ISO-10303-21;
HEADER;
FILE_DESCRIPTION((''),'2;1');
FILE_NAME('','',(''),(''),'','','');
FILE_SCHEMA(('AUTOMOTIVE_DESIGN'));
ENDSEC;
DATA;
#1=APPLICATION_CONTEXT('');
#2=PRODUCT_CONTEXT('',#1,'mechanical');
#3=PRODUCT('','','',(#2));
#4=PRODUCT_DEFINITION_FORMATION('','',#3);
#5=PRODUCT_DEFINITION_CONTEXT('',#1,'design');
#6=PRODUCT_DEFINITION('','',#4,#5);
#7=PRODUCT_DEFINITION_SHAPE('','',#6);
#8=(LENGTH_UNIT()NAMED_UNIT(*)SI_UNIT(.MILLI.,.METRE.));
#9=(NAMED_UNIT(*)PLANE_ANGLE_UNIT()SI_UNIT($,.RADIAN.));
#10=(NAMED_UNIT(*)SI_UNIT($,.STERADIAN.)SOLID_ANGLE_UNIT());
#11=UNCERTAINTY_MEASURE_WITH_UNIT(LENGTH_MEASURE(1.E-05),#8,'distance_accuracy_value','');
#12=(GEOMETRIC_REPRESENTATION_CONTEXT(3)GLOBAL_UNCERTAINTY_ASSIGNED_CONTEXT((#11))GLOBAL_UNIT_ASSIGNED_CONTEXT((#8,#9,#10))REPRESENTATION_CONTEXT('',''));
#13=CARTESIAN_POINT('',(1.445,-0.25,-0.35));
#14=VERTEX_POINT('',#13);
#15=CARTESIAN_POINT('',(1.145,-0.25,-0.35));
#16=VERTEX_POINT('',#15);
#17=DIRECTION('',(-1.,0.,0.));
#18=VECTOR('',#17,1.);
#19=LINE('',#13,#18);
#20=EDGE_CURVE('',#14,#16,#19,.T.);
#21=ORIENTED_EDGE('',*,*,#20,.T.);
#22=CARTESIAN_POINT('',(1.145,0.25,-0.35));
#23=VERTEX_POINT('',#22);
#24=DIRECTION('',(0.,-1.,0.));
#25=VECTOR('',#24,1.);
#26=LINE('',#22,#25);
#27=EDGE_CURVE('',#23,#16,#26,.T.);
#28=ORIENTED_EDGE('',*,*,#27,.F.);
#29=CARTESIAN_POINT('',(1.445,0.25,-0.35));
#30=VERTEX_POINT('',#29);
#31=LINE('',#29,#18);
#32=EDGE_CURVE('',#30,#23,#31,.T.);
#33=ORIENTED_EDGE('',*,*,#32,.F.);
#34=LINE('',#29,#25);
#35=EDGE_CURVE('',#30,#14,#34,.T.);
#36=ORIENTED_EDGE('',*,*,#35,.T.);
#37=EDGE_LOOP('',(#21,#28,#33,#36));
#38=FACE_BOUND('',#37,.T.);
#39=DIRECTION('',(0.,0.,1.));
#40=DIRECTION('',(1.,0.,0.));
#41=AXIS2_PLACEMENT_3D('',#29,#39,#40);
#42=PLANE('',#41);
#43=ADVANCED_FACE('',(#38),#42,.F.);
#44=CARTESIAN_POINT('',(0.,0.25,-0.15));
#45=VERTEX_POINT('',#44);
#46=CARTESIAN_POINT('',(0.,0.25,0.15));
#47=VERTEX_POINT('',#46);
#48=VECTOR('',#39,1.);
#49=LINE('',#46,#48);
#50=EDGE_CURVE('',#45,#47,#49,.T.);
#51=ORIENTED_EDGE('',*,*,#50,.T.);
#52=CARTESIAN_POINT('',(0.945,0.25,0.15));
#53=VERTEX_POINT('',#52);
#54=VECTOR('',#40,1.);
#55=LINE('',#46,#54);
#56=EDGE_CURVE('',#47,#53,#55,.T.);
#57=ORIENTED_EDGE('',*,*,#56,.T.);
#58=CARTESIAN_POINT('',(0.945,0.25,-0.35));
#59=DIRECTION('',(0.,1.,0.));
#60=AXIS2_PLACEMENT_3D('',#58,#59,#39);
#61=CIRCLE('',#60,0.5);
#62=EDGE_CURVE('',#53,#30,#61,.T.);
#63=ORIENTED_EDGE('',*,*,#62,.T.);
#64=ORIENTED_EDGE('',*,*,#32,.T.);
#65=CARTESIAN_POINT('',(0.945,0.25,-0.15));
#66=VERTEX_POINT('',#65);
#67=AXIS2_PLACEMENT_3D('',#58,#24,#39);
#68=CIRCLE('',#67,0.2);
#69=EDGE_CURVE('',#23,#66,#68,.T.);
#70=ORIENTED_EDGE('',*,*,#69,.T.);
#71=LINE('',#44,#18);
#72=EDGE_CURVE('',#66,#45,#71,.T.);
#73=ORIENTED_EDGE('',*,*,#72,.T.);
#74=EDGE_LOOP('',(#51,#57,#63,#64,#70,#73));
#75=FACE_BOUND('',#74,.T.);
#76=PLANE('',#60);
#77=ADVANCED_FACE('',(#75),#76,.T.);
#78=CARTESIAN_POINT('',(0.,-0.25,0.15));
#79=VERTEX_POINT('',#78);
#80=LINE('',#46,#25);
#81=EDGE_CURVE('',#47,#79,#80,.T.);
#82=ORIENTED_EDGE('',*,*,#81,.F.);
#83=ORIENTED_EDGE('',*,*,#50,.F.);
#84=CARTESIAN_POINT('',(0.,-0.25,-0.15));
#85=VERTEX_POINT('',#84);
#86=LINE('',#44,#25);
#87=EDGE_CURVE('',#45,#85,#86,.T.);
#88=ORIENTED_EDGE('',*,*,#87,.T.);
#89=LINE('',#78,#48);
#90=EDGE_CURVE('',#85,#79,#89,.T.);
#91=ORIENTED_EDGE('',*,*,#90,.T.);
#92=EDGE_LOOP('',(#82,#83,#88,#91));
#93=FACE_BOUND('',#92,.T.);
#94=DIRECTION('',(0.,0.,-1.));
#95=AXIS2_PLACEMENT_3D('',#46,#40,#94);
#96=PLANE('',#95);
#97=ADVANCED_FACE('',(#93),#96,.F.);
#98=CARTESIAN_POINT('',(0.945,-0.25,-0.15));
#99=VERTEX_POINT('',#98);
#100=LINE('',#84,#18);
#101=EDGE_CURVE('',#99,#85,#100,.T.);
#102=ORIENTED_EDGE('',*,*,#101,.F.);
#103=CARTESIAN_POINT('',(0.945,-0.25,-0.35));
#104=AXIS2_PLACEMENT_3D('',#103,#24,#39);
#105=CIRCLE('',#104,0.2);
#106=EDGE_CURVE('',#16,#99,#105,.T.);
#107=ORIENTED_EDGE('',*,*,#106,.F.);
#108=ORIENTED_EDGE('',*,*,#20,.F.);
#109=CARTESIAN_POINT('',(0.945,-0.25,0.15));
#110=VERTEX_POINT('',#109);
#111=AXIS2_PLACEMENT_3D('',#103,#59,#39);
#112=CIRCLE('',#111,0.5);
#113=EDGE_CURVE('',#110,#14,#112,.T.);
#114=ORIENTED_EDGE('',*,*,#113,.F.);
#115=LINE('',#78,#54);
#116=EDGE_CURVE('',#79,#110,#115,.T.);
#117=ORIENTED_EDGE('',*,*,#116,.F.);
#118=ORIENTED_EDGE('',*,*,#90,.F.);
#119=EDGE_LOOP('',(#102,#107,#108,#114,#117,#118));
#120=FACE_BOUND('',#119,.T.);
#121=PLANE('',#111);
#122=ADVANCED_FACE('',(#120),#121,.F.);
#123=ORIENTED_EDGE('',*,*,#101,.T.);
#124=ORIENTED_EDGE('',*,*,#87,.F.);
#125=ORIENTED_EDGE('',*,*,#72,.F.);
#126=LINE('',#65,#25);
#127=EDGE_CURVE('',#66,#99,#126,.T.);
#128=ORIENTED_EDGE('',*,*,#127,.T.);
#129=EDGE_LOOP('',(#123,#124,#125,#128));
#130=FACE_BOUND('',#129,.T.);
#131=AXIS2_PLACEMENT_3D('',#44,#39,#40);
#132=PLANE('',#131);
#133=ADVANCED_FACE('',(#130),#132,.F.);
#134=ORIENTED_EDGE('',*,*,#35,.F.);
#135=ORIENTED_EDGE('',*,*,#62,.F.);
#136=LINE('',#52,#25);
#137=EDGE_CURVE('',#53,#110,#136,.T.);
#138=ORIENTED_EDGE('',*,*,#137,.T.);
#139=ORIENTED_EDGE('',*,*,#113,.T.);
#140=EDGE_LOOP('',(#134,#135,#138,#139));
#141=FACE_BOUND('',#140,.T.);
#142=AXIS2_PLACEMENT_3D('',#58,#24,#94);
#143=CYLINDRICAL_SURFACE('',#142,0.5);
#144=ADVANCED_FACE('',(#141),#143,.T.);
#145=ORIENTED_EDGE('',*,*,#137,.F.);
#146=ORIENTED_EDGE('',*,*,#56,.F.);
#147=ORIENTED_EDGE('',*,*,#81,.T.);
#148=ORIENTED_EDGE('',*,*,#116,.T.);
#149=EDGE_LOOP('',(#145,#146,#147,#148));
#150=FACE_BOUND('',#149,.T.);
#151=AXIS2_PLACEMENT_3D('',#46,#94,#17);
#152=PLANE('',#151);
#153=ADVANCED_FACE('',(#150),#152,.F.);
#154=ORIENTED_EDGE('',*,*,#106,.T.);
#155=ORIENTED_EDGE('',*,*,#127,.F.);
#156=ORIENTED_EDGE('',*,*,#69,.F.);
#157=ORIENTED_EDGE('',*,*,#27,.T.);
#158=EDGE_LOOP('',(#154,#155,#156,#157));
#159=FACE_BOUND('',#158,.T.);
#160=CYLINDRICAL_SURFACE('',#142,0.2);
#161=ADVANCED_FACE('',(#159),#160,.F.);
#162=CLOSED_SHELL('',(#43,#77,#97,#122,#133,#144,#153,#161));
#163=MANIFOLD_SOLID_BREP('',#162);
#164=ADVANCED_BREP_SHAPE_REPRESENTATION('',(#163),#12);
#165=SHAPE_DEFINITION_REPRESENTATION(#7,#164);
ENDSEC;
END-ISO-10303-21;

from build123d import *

# Parameters (mm, degrees)
BOSS_EXTRUDE1_DEPTH = 0.25


with BuildPart() as part:
    # Sketch3 → Boss-Extrude1 (new body, symmetric)
    with BuildSketch(Plane(origin=(0, 0, 0), x_dir=(1, 0, 0), z_dir=(0, 1, 0))):
        with BuildLine():
            Line((0, -0.15), (0.945, -0.15))
            ThreePointArc((0.945, -0.15), (1.298553391, -0.003553391), (1.445, 0.35))
            Line((1.445, 0.35), (1.145, 0.35))
            ThreePointArc((1.145, 0.35), (1.086421356, 0.208578644), (0.945, 0.15))
            Line((0.945, 0.15), (0, 0.15))
            Line((0, 0.15), (0, -0.15))
        make_face()
    extrude(amount=BOSS_EXTRUDE1_DEPTH, both=True)


solid = part.part
